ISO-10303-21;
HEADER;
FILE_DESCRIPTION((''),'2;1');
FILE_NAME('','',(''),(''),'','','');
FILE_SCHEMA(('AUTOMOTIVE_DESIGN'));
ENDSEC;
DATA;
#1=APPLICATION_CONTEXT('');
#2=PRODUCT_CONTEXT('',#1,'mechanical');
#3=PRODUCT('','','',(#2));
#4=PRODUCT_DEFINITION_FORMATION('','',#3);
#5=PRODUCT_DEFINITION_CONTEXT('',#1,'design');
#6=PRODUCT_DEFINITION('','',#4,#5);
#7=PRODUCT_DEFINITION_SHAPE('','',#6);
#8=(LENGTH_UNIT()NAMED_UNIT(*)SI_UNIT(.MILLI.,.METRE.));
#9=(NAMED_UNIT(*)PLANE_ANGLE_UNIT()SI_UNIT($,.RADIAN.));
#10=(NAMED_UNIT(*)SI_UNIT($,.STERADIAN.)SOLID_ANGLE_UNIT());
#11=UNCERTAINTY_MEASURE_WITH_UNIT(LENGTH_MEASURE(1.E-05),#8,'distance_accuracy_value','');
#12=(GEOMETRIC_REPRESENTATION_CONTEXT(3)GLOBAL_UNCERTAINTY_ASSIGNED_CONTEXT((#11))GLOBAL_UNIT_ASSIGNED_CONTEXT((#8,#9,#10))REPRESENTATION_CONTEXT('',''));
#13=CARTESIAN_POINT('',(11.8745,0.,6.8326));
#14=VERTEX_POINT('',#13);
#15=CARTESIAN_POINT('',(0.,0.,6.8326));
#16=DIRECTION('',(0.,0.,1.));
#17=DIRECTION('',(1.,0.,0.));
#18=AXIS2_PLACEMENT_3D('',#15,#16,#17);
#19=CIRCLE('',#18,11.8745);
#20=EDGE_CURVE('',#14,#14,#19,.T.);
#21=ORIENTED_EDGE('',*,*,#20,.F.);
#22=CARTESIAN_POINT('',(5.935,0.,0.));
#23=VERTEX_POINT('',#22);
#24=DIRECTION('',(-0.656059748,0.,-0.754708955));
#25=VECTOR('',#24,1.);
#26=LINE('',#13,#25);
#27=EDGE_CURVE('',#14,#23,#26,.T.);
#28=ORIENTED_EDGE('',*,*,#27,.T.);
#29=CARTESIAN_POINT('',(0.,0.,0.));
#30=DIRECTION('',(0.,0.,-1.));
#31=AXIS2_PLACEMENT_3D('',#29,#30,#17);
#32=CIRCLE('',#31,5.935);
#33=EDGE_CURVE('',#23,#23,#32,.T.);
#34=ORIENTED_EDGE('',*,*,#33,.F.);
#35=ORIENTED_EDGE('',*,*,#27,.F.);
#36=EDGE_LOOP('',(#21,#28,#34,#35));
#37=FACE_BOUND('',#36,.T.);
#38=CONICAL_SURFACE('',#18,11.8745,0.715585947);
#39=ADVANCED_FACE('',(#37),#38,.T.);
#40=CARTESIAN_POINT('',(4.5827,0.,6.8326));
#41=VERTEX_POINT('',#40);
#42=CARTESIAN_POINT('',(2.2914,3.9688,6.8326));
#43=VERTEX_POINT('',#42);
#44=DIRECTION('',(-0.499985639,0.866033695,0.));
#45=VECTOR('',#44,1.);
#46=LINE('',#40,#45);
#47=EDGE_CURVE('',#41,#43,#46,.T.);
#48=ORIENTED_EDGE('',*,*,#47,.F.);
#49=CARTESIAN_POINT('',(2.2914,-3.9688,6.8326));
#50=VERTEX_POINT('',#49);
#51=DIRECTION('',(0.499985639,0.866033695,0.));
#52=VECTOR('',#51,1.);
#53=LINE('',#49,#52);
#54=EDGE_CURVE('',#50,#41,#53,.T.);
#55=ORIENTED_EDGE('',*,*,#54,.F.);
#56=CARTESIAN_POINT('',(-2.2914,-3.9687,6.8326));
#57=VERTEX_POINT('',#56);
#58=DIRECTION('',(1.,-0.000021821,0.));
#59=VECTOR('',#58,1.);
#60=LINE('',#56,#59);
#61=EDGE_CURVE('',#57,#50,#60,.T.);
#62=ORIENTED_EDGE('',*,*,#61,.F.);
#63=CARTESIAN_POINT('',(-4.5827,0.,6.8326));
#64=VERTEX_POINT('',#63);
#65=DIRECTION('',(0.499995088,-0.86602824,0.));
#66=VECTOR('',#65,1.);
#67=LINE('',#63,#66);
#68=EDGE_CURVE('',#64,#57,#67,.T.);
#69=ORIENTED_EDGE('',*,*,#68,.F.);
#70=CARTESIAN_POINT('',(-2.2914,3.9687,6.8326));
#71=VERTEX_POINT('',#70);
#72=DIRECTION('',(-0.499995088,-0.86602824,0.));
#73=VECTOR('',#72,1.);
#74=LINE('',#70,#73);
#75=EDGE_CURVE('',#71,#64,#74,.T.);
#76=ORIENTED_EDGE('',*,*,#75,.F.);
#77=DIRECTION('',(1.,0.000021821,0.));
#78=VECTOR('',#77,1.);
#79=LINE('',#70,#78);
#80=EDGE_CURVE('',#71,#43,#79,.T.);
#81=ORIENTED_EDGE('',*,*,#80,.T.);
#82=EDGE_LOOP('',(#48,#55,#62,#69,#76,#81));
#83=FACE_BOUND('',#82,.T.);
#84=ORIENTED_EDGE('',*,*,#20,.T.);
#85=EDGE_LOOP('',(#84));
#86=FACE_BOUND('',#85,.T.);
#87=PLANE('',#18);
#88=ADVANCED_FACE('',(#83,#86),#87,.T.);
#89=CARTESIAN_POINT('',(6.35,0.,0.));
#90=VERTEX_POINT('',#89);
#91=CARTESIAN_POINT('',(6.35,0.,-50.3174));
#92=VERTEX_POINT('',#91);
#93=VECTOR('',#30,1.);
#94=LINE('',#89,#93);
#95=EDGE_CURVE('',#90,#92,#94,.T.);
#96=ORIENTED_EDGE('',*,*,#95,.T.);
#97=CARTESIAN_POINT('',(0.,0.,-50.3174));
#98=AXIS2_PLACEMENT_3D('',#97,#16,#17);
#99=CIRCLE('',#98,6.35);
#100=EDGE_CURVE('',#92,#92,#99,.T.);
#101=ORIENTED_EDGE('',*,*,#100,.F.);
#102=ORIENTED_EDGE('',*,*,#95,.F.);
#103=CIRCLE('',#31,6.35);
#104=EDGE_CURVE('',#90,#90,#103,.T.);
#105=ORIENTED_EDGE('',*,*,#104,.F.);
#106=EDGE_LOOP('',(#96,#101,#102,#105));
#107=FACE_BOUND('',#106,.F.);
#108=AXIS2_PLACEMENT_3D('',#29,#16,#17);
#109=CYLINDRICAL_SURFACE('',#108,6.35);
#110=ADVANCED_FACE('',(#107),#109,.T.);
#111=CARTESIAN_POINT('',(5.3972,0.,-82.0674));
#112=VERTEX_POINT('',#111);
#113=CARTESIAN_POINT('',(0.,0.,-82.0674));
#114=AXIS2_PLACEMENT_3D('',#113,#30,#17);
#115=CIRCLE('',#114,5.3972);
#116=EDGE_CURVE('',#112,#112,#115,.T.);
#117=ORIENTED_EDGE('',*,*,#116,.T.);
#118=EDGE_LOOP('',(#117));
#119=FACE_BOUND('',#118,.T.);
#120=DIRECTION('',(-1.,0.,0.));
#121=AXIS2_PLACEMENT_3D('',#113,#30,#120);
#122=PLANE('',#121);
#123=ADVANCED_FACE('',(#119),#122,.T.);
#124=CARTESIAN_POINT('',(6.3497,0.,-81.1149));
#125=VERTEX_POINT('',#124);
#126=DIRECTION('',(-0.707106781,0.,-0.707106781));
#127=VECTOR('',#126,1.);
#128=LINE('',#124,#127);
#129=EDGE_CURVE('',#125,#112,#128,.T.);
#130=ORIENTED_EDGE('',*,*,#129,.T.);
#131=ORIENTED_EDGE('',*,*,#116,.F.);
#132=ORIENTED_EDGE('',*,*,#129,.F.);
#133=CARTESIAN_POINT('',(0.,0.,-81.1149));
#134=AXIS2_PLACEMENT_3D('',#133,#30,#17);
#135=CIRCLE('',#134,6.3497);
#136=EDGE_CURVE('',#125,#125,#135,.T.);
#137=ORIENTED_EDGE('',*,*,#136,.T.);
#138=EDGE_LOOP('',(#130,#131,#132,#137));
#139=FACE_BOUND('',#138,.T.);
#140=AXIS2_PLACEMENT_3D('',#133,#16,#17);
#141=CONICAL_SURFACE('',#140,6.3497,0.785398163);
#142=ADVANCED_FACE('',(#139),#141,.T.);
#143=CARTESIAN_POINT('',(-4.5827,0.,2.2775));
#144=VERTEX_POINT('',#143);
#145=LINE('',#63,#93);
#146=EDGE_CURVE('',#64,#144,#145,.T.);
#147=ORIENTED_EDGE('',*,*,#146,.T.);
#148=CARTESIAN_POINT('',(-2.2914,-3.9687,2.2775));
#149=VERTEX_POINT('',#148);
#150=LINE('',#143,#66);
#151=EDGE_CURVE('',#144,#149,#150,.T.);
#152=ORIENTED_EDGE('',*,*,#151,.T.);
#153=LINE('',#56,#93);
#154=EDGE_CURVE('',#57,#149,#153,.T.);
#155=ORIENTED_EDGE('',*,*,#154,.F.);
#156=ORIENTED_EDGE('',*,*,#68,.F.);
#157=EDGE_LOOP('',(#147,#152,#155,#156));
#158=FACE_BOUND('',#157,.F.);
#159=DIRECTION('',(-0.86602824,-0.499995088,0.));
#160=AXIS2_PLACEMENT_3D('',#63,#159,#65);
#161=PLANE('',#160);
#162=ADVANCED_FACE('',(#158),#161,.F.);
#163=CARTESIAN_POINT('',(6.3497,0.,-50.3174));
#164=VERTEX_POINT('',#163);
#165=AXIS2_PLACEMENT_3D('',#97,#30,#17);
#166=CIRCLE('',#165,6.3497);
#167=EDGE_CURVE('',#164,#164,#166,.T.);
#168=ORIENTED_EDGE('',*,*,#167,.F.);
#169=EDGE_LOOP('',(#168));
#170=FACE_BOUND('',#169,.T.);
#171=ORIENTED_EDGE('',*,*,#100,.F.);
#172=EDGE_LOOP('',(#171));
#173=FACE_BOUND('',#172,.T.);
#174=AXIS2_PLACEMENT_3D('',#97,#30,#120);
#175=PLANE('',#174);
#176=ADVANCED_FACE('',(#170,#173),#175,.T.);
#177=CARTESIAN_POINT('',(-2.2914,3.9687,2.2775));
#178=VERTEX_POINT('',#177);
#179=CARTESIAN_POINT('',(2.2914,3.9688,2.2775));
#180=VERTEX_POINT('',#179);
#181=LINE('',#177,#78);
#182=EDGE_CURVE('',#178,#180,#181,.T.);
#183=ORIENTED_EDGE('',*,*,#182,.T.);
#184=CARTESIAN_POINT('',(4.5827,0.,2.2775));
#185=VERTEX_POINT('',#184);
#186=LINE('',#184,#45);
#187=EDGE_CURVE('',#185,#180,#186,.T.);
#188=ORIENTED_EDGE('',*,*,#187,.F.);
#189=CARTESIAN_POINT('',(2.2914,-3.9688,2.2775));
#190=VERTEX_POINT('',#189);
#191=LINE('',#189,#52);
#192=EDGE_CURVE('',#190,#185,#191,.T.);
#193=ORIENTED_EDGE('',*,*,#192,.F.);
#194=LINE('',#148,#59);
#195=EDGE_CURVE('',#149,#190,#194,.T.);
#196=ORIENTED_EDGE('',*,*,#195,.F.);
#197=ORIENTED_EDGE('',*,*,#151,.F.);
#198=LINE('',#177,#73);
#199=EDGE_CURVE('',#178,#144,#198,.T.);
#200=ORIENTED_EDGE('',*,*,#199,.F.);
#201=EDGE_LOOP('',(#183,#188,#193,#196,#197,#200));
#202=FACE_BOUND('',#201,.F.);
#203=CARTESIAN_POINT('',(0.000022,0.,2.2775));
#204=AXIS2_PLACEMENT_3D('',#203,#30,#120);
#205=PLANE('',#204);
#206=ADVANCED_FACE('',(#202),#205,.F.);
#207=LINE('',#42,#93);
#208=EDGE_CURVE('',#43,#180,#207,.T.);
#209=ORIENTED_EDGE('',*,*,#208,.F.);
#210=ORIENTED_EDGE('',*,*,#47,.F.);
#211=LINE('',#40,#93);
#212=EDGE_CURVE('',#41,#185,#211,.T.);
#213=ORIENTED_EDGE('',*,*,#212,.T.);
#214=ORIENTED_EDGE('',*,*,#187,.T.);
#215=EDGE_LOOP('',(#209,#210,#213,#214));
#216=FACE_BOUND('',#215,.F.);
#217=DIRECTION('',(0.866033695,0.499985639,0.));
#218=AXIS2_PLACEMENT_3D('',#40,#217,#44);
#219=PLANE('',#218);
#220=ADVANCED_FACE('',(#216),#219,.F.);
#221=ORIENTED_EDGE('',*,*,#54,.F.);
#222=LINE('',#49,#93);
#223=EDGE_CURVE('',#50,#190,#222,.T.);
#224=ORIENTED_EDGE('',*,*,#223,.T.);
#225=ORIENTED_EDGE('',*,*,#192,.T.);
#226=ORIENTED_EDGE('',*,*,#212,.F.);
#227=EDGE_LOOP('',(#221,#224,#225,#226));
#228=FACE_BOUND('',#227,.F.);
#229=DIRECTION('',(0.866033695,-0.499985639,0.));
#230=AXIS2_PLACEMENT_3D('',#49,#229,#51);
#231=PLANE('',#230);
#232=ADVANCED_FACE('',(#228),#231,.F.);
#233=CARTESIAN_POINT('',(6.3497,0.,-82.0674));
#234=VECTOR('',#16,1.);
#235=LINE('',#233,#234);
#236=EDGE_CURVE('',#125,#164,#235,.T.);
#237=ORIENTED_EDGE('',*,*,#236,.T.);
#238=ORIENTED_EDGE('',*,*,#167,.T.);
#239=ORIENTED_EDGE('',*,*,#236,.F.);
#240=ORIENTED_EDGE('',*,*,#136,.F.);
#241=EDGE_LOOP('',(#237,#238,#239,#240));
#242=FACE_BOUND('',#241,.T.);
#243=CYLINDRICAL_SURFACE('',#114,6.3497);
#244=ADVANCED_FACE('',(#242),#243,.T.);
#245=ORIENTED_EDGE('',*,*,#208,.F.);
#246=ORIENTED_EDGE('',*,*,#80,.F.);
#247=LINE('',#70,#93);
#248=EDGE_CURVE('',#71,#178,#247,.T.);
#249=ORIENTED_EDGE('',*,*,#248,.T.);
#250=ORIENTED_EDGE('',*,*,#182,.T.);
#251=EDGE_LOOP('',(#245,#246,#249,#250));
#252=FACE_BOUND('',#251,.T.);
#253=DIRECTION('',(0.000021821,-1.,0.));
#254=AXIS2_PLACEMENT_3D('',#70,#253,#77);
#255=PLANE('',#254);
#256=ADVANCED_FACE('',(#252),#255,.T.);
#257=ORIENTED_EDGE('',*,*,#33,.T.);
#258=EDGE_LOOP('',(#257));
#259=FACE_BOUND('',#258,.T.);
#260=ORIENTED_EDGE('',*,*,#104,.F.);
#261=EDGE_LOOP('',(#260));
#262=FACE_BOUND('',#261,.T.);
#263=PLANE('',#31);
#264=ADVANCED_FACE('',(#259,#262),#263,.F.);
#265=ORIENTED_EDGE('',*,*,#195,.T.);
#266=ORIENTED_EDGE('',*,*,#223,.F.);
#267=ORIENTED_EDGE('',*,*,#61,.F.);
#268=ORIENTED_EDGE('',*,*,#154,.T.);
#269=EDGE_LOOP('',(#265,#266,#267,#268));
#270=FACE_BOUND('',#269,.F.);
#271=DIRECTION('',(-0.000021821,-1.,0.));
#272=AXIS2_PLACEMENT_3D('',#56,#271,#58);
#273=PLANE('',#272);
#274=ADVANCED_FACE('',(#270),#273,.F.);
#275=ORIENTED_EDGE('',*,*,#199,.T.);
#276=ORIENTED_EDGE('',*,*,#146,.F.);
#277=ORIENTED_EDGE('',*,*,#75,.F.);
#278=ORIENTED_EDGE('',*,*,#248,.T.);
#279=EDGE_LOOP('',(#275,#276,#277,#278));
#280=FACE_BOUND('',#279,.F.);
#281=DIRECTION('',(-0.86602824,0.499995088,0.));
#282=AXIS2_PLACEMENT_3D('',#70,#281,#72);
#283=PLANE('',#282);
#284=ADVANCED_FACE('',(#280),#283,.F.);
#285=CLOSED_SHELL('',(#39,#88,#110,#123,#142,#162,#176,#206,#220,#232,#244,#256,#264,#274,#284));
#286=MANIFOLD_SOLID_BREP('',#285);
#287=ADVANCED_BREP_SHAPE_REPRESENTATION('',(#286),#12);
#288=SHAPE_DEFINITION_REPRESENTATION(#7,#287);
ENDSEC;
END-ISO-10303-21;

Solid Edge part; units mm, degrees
sketch "Sketch1" plane through (0, 0, 0) normal (0, 0, 1) x (1, 0, 0)
  circle A0 centre (0, 0) radius 11.8745
  dimension "D1" = 23.749
extrude "Protrusion1" add sketch "Sketch1" along normal blind 6.8326
sketch "Sketch2" plane through (0, 0, 0) normal (0, 0, -1) x (1, 0, 0)
  circle A0 centre (0, 0) radius 6.35
extrude "Protrusion2" add sketch "Sketch2" along normal blind 82.0674
sketch "Sketch3" plane through (0, 0, -82.0674) normal (0, 0, -1) x (1, 0, 0)
  circle A0 centre (0, 0) radius 6.3497
extrude "Cutout1" cut sketch "Sketch3" against normal blind 31.75 flip side to cut
chamfer "Chamfer_1" distance 0.9525 angle 45 1 edges at (-6.3497, 0, -82.0674)
sketch "Sketch4" plane through (0, 0, 6.8326) normal (0, 0, 1) x (1, 0, 0)
  line L0 (-2.2914, 3.9687) -> (2.2914, 3.9688)
  line L1 (4.5827, 0) -> (2.2914, 3.9688)
  line L2 (2.2914, -3.9688) -> (4.5827, 0)
  line L3 (-2.2914, -3.9687) -> (2.2914, -3.9688)
  line L4 (-4.5827, 0) -> (-2.2914, -3.9688)
  line L5 (-2.2914, 3.9688) -> (-4.5827, 0)
  dimension "D1" = 7.9375
extrude "Cutout2" cut sketch "Sketch4" against normal blind 4.5551
sketch "Sketch5" plane through (0, 0, 0) normal (0, -1, 0) x (1, 0, 0)
  line L0 (11.8745, 6.8326) -> (5.935, 0)
  line L1 (5.935, 0) -> (11.8745, 0)
  line L2 (11.8745, 0) -> (11.8745, 6.8326)
revolve "RevolvedCutout1" cut sketch "Sketch5" angle 360 about axis through (0, 0, 14.0017) along (0, 0, -1)
properties part number "117514"
